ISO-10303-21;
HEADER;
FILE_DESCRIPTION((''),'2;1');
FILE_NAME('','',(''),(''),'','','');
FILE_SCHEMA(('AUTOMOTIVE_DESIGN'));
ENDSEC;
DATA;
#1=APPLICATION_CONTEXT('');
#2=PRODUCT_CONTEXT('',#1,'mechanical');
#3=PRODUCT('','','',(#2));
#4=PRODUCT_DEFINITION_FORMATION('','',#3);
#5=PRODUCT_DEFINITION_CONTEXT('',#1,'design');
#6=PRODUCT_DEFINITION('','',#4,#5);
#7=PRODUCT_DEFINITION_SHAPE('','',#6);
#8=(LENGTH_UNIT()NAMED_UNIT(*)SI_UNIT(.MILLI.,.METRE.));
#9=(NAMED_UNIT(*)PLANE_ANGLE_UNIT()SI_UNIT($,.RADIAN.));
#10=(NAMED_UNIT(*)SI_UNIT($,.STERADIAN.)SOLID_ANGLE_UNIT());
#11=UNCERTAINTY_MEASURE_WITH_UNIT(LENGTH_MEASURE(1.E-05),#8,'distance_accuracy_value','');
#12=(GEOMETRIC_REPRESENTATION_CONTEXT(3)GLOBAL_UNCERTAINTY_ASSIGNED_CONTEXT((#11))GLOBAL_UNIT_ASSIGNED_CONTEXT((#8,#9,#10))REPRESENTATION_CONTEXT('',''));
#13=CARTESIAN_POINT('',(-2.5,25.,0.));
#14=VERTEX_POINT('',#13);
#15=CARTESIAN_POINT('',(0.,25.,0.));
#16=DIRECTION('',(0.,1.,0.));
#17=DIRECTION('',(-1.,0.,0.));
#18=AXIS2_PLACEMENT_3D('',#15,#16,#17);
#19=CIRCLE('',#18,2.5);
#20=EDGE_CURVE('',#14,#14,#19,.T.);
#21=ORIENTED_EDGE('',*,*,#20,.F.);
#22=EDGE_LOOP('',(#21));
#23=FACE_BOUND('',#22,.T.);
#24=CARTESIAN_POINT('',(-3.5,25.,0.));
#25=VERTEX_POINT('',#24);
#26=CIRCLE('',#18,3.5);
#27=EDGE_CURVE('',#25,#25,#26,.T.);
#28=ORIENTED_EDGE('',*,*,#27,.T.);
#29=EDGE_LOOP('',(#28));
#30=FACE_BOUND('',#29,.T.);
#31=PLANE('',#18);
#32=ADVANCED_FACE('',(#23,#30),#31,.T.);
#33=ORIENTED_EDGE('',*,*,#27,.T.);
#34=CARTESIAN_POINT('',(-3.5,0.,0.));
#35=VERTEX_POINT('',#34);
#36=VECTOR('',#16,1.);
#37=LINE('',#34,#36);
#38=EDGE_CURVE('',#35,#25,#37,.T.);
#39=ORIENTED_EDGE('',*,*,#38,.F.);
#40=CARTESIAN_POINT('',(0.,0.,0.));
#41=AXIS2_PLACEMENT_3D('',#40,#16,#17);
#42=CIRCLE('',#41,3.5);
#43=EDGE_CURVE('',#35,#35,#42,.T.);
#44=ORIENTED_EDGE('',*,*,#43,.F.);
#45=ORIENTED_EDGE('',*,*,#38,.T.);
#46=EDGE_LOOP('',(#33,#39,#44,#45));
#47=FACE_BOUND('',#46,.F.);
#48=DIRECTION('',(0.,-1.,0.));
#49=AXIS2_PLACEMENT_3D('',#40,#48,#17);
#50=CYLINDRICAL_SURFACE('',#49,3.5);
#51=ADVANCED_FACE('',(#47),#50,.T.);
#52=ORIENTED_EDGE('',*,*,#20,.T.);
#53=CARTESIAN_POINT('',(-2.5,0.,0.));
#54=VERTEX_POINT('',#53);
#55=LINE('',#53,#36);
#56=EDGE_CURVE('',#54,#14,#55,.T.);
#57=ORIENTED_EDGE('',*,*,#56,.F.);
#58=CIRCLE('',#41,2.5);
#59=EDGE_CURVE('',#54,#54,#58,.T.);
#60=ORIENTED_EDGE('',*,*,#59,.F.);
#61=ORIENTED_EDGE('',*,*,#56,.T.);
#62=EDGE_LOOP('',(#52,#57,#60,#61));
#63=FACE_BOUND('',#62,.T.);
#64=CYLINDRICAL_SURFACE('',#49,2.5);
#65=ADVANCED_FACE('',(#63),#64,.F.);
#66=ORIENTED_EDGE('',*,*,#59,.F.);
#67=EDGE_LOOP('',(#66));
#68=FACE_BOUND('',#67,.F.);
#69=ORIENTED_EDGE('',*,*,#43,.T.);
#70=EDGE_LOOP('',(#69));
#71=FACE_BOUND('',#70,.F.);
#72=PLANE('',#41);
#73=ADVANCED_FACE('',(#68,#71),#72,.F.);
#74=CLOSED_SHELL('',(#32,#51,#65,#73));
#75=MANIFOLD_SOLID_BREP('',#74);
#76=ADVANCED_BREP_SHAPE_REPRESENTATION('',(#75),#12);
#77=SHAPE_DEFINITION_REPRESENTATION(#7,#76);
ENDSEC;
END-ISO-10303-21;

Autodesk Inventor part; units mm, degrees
ref_plane "YZ Plane" through (0, 0, 0) normal (1, 0, 0) x (0, 1, 0)
ref_plane "XZ Plane" through (0, 0, 0) normal (0, 1, 0) x (-1, 0, 0)
ref_plane "XY Plane" through (0, 0, 0) normal (0, 0, 1) x (1, 0, 0)
sketch "Sketch1" plane through (0, 0, 0) normal (0, 1, 0) x (-1, 0, 0)
  circle A0 centre (0, 0) radius 2.5
  circle A1 centre (0, 0) radius 3.5
  dimension "d0" = 5
  dimension "d1" = 7
extrude "Extrusion1" add sketch "Sketch1" along normal blind 25
properties part number "small spacer"
